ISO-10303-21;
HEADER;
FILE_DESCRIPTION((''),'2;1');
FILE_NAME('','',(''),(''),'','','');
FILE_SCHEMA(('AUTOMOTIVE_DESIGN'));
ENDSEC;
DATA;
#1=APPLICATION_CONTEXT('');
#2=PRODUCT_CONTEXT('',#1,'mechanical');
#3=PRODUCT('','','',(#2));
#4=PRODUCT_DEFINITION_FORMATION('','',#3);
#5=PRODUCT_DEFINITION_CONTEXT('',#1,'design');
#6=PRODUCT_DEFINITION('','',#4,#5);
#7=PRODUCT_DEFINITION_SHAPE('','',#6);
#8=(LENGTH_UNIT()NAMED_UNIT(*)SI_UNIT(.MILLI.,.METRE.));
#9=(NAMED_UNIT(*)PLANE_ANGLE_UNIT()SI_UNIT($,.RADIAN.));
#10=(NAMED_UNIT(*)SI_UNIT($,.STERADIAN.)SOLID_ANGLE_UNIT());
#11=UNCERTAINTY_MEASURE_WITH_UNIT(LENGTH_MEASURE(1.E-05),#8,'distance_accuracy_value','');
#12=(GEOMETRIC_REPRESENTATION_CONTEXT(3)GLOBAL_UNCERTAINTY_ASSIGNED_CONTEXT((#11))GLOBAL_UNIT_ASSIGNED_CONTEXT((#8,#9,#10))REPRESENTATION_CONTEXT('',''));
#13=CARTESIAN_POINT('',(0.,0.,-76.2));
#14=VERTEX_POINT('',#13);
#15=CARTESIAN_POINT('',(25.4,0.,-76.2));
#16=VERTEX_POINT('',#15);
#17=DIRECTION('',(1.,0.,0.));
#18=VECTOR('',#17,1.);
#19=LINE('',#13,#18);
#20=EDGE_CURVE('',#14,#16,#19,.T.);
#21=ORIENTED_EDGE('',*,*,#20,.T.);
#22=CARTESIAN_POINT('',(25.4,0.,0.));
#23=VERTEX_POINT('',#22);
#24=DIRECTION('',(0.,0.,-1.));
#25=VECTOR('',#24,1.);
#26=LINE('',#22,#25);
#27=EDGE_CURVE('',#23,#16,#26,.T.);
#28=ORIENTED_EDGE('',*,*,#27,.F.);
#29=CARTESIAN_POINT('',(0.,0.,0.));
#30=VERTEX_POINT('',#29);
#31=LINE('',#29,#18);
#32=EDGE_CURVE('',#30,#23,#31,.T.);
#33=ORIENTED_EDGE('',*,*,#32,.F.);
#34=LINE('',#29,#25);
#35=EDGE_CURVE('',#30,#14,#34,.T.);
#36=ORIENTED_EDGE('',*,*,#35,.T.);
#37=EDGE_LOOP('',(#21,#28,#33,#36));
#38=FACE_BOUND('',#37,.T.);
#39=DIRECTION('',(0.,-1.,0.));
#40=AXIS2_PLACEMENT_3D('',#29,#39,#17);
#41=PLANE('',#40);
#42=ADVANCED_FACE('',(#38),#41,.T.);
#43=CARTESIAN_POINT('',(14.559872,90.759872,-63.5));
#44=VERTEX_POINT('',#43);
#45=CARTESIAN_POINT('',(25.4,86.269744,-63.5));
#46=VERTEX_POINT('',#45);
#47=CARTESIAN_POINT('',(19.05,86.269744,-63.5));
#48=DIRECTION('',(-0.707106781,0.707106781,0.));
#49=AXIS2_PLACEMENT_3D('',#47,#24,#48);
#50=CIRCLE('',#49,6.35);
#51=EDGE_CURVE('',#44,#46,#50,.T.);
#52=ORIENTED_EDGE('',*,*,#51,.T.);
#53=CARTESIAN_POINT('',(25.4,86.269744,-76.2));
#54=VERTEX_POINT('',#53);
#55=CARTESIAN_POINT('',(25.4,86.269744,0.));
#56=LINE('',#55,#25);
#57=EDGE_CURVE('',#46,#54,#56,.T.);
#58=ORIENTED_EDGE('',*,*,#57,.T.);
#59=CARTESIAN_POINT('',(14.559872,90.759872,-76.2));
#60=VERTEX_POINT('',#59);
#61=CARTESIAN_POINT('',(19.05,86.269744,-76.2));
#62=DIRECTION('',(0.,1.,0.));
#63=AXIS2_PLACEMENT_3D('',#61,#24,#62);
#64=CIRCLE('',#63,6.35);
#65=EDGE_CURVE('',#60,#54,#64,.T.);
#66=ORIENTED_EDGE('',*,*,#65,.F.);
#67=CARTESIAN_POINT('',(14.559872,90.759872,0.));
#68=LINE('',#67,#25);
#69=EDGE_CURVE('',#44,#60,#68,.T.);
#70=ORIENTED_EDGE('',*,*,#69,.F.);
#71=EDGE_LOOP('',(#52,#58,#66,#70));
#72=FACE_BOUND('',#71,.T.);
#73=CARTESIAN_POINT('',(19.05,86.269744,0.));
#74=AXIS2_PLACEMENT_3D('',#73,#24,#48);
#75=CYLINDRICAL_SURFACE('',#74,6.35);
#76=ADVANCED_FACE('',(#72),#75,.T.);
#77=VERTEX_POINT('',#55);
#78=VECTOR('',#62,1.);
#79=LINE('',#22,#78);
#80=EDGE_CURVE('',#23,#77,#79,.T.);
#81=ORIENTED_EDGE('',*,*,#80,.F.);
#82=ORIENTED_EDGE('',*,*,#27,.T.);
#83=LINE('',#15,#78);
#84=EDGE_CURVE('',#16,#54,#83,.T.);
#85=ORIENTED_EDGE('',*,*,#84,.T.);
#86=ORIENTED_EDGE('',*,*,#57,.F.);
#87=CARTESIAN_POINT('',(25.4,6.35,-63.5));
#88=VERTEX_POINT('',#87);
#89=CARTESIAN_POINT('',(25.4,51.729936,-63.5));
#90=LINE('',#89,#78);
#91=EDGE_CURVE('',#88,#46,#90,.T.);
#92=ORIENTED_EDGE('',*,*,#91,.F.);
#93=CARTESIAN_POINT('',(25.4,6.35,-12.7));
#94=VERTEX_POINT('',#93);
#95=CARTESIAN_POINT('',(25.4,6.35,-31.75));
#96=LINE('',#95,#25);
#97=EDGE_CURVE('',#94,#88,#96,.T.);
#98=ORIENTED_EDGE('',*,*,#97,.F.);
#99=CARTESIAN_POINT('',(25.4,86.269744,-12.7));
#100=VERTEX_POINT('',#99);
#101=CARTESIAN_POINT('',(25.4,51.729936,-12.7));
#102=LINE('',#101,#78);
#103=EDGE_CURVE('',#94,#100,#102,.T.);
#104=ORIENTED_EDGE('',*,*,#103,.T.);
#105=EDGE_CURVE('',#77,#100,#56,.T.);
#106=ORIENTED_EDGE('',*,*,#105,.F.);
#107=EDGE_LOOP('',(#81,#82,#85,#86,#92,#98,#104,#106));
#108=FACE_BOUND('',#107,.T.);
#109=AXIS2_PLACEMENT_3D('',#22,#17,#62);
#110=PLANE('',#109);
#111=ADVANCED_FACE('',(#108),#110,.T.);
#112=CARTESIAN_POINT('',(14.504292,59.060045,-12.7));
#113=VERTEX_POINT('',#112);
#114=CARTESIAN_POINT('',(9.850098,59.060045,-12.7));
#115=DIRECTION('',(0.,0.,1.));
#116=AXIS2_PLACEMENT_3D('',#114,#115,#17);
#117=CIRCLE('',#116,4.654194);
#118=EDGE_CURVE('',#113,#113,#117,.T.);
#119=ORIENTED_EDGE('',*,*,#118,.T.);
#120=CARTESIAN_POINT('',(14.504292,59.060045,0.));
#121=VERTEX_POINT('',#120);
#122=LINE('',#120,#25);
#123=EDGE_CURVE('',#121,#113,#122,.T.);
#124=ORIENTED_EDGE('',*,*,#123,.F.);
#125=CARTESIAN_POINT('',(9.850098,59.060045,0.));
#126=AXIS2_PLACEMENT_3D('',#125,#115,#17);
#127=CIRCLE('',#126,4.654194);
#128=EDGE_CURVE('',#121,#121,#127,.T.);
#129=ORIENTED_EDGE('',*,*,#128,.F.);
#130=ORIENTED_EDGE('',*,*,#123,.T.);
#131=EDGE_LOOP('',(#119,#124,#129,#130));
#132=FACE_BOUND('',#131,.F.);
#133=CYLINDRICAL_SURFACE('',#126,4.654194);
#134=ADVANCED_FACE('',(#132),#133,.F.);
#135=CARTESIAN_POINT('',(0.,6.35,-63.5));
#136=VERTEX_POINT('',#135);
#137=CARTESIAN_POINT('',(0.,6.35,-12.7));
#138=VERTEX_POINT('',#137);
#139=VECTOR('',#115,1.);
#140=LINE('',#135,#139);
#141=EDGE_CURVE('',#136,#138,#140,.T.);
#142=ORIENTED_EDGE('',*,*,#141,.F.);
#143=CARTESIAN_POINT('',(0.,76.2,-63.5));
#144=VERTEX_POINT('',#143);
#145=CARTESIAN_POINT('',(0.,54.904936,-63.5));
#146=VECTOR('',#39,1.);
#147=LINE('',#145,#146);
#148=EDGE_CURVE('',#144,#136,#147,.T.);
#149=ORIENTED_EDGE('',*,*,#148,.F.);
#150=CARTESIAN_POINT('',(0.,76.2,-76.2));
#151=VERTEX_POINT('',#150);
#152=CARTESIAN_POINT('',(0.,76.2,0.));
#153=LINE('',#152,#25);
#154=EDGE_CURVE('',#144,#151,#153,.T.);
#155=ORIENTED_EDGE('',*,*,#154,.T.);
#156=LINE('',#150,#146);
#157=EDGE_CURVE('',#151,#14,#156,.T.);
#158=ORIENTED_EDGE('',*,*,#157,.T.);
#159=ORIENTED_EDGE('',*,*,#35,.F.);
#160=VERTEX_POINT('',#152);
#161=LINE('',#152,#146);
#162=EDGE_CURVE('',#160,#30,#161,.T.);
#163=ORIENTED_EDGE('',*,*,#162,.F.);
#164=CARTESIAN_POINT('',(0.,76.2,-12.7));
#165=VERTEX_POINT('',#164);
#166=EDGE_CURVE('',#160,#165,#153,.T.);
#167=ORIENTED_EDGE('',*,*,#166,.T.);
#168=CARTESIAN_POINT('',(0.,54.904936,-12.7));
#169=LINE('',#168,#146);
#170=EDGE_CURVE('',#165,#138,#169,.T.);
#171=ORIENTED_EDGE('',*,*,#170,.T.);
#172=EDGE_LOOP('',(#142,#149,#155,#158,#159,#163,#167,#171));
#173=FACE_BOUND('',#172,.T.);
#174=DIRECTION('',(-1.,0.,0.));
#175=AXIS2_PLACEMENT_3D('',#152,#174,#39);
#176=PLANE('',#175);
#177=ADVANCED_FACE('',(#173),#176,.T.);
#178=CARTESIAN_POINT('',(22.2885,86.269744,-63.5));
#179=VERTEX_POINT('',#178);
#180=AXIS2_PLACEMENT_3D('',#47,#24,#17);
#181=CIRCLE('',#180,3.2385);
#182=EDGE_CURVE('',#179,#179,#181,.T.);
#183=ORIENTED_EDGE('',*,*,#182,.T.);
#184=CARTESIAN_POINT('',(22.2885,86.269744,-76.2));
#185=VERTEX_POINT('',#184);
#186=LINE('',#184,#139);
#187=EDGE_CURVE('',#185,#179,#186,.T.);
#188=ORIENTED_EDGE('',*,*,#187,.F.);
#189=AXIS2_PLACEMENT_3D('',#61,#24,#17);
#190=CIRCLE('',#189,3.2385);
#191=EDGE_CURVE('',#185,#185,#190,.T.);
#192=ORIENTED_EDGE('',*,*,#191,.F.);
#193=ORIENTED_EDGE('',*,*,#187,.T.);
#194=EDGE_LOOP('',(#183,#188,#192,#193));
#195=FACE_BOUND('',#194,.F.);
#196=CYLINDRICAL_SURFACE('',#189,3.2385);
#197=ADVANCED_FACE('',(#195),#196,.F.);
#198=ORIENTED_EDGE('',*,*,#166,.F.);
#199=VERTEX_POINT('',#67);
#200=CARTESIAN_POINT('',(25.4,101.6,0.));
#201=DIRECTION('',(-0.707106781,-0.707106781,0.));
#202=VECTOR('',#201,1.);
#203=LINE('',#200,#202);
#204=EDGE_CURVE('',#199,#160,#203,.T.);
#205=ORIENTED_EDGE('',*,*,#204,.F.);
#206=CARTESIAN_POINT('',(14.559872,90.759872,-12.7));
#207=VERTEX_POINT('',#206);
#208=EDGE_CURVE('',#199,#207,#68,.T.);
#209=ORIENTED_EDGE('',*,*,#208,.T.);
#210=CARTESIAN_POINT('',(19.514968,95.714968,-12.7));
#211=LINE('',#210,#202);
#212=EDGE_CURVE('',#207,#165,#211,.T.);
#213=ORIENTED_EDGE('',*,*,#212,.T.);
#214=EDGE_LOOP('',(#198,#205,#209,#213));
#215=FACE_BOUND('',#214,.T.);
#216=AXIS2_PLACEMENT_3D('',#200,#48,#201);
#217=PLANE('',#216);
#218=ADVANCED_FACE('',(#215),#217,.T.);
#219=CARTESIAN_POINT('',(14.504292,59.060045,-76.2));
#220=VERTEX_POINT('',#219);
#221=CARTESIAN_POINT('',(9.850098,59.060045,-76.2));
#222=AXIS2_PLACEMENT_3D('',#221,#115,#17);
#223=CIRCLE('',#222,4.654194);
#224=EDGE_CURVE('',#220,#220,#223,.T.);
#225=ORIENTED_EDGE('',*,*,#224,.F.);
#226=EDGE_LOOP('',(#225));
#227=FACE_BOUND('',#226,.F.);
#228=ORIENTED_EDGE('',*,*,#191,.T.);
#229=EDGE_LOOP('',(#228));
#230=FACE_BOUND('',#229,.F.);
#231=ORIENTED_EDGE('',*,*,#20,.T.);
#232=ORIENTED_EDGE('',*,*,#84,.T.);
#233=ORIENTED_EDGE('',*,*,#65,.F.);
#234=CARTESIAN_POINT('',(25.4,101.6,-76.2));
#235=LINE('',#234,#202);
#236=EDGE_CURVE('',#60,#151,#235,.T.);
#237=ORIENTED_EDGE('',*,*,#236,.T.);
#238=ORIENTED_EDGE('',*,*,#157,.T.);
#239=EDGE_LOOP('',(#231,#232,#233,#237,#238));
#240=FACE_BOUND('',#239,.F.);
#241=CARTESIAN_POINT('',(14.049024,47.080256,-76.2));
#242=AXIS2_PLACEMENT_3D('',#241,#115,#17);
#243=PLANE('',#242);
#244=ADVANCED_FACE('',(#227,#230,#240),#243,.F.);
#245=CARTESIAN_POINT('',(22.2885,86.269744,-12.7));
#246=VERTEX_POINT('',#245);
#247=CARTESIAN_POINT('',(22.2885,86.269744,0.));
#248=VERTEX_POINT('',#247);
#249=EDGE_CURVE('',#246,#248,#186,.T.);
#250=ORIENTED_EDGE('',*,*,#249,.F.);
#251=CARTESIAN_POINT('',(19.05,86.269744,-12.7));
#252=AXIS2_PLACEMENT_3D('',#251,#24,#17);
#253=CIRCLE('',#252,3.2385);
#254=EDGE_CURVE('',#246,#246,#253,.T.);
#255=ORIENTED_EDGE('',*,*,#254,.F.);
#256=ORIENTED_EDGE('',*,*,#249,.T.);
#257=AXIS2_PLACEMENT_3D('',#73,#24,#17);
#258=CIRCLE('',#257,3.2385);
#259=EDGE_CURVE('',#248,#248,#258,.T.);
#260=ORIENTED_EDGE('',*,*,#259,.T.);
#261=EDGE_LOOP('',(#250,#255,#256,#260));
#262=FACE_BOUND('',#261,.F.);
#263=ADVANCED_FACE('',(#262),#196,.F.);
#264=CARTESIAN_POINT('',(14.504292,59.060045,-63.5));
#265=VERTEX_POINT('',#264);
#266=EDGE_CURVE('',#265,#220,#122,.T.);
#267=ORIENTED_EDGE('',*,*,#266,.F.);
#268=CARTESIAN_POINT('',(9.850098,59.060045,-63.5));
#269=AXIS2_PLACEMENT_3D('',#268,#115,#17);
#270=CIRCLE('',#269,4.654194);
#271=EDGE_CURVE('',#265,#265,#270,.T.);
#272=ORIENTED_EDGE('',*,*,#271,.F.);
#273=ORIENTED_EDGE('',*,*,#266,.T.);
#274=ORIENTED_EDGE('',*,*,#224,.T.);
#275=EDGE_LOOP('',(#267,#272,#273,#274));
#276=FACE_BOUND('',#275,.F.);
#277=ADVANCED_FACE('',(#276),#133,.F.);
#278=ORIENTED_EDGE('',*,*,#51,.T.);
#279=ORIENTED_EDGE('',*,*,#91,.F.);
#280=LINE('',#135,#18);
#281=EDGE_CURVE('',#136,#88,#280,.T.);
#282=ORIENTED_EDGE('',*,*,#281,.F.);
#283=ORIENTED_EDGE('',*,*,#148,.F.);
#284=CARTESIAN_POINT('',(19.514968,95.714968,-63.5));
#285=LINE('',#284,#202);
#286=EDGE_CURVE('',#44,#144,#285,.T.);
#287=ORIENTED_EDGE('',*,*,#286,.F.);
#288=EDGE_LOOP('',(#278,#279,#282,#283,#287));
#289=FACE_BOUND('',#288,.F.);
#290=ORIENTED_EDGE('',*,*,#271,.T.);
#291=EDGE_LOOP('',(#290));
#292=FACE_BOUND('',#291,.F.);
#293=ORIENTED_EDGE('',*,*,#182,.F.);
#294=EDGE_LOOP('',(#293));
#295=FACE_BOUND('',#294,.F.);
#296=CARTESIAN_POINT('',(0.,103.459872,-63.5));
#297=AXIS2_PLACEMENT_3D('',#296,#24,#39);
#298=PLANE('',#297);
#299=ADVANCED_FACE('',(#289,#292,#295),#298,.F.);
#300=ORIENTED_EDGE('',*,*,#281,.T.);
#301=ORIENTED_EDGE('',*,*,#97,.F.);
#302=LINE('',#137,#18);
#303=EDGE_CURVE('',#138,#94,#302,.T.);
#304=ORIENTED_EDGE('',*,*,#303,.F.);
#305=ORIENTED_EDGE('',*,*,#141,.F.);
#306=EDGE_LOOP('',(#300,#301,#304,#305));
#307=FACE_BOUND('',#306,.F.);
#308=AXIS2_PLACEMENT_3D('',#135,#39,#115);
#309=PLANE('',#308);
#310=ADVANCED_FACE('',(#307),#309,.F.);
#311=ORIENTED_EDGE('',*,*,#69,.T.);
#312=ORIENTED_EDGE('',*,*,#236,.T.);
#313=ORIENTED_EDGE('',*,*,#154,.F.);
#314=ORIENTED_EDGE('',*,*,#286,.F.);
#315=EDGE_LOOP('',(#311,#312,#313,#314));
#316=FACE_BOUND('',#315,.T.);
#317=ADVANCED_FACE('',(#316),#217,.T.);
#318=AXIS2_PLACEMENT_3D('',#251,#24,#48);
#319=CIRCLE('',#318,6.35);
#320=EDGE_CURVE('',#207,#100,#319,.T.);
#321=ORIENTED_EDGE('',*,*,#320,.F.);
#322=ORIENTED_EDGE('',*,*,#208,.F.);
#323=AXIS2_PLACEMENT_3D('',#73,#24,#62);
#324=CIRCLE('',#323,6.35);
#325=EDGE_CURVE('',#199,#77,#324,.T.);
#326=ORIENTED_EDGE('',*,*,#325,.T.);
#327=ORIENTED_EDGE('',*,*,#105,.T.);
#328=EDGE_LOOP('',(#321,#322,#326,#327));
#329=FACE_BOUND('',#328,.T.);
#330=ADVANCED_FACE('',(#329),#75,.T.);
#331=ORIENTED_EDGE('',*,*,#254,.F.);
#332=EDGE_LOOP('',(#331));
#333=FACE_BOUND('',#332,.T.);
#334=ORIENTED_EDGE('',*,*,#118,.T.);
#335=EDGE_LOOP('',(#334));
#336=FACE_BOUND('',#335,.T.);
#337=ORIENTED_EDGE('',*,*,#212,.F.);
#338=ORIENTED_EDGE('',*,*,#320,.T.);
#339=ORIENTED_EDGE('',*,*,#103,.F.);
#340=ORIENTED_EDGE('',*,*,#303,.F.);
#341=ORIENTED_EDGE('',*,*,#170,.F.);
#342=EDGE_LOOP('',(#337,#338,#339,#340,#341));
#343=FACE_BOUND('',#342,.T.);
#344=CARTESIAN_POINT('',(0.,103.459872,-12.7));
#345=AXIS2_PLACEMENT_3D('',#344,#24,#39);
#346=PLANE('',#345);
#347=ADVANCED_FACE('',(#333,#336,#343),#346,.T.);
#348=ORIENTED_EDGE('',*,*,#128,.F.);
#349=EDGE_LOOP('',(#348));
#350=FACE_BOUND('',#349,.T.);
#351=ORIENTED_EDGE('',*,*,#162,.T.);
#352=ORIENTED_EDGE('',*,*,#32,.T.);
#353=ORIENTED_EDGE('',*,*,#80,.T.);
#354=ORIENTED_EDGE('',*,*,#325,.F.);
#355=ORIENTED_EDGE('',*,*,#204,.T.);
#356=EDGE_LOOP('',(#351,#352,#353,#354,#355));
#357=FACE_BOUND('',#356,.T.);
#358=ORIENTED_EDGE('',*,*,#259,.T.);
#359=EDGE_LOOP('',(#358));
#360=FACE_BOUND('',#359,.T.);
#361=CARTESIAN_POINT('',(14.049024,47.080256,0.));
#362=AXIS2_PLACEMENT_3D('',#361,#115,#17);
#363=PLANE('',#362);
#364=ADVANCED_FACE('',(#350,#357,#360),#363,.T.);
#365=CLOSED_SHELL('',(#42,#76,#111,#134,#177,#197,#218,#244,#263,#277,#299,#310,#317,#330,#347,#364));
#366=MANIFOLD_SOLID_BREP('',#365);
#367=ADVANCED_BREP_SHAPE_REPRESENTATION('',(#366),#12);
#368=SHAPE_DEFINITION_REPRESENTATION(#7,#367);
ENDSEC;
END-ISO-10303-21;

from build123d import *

# Parameters (mm, degrees)
F0_R     = 4.654194
F1_DEPTH = 76.2
F2_R     = 6.35
F3_W     = 97.109872
F3_H     = 25.4
F4_DEPTH = 25.401
F5_R     = 3.2385
F6_DEPTH = 76.201


with BuildPart() as f1:
    # F0 (on Top) → F1 (new body)
    with BuildSketch(Plane.XY):
        Polygon((0, 76.2), (0, 0), (25.4, 0), (25.4, 101.6), align=None)
        with Locations((9.850098, 59.060045)):
            Circle(F0_R, mode=Mode.SUBTRACT)
    extrude(amount=-F1_DEPTH)

    # F2
    f2_edges = [f1.edges().sort_by_distance(p)[0] for p in [
        (25.4, 101.6, -38.1),
    ]]
    fillet(f2_edges, radius=F2_R)

    # F3 (on face) → F4 (cut, through all)
    with BuildSketch(Plane(origin=(0, 0, 0), x_dir=(0, -1, 0), z_dir=(-1, 0, 0))):
        with Locations((-54.904936, -50.8)):
            Rectangle(F3_W, F3_H)
        with Locations((-54.904936, -25.4)):
            Rectangle(F3_W, F3_H)
    extrude(amount=-F4_DEPTH, mode=Mode.SUBTRACT)

    # F5 (on face) → F6 (cut, through all)
    with BuildSketch(Plane(origin=(0, 0, -76.2), x_dir=(1, 0, 0), z_dir=(0, 0, -1))):
        with Locations((19.05, -86.269744)):
            Circle(F5_R)
    extrude(amount=-F6_DEPTH, mode=Mode.SUBTRACT)


solid = f1.part
